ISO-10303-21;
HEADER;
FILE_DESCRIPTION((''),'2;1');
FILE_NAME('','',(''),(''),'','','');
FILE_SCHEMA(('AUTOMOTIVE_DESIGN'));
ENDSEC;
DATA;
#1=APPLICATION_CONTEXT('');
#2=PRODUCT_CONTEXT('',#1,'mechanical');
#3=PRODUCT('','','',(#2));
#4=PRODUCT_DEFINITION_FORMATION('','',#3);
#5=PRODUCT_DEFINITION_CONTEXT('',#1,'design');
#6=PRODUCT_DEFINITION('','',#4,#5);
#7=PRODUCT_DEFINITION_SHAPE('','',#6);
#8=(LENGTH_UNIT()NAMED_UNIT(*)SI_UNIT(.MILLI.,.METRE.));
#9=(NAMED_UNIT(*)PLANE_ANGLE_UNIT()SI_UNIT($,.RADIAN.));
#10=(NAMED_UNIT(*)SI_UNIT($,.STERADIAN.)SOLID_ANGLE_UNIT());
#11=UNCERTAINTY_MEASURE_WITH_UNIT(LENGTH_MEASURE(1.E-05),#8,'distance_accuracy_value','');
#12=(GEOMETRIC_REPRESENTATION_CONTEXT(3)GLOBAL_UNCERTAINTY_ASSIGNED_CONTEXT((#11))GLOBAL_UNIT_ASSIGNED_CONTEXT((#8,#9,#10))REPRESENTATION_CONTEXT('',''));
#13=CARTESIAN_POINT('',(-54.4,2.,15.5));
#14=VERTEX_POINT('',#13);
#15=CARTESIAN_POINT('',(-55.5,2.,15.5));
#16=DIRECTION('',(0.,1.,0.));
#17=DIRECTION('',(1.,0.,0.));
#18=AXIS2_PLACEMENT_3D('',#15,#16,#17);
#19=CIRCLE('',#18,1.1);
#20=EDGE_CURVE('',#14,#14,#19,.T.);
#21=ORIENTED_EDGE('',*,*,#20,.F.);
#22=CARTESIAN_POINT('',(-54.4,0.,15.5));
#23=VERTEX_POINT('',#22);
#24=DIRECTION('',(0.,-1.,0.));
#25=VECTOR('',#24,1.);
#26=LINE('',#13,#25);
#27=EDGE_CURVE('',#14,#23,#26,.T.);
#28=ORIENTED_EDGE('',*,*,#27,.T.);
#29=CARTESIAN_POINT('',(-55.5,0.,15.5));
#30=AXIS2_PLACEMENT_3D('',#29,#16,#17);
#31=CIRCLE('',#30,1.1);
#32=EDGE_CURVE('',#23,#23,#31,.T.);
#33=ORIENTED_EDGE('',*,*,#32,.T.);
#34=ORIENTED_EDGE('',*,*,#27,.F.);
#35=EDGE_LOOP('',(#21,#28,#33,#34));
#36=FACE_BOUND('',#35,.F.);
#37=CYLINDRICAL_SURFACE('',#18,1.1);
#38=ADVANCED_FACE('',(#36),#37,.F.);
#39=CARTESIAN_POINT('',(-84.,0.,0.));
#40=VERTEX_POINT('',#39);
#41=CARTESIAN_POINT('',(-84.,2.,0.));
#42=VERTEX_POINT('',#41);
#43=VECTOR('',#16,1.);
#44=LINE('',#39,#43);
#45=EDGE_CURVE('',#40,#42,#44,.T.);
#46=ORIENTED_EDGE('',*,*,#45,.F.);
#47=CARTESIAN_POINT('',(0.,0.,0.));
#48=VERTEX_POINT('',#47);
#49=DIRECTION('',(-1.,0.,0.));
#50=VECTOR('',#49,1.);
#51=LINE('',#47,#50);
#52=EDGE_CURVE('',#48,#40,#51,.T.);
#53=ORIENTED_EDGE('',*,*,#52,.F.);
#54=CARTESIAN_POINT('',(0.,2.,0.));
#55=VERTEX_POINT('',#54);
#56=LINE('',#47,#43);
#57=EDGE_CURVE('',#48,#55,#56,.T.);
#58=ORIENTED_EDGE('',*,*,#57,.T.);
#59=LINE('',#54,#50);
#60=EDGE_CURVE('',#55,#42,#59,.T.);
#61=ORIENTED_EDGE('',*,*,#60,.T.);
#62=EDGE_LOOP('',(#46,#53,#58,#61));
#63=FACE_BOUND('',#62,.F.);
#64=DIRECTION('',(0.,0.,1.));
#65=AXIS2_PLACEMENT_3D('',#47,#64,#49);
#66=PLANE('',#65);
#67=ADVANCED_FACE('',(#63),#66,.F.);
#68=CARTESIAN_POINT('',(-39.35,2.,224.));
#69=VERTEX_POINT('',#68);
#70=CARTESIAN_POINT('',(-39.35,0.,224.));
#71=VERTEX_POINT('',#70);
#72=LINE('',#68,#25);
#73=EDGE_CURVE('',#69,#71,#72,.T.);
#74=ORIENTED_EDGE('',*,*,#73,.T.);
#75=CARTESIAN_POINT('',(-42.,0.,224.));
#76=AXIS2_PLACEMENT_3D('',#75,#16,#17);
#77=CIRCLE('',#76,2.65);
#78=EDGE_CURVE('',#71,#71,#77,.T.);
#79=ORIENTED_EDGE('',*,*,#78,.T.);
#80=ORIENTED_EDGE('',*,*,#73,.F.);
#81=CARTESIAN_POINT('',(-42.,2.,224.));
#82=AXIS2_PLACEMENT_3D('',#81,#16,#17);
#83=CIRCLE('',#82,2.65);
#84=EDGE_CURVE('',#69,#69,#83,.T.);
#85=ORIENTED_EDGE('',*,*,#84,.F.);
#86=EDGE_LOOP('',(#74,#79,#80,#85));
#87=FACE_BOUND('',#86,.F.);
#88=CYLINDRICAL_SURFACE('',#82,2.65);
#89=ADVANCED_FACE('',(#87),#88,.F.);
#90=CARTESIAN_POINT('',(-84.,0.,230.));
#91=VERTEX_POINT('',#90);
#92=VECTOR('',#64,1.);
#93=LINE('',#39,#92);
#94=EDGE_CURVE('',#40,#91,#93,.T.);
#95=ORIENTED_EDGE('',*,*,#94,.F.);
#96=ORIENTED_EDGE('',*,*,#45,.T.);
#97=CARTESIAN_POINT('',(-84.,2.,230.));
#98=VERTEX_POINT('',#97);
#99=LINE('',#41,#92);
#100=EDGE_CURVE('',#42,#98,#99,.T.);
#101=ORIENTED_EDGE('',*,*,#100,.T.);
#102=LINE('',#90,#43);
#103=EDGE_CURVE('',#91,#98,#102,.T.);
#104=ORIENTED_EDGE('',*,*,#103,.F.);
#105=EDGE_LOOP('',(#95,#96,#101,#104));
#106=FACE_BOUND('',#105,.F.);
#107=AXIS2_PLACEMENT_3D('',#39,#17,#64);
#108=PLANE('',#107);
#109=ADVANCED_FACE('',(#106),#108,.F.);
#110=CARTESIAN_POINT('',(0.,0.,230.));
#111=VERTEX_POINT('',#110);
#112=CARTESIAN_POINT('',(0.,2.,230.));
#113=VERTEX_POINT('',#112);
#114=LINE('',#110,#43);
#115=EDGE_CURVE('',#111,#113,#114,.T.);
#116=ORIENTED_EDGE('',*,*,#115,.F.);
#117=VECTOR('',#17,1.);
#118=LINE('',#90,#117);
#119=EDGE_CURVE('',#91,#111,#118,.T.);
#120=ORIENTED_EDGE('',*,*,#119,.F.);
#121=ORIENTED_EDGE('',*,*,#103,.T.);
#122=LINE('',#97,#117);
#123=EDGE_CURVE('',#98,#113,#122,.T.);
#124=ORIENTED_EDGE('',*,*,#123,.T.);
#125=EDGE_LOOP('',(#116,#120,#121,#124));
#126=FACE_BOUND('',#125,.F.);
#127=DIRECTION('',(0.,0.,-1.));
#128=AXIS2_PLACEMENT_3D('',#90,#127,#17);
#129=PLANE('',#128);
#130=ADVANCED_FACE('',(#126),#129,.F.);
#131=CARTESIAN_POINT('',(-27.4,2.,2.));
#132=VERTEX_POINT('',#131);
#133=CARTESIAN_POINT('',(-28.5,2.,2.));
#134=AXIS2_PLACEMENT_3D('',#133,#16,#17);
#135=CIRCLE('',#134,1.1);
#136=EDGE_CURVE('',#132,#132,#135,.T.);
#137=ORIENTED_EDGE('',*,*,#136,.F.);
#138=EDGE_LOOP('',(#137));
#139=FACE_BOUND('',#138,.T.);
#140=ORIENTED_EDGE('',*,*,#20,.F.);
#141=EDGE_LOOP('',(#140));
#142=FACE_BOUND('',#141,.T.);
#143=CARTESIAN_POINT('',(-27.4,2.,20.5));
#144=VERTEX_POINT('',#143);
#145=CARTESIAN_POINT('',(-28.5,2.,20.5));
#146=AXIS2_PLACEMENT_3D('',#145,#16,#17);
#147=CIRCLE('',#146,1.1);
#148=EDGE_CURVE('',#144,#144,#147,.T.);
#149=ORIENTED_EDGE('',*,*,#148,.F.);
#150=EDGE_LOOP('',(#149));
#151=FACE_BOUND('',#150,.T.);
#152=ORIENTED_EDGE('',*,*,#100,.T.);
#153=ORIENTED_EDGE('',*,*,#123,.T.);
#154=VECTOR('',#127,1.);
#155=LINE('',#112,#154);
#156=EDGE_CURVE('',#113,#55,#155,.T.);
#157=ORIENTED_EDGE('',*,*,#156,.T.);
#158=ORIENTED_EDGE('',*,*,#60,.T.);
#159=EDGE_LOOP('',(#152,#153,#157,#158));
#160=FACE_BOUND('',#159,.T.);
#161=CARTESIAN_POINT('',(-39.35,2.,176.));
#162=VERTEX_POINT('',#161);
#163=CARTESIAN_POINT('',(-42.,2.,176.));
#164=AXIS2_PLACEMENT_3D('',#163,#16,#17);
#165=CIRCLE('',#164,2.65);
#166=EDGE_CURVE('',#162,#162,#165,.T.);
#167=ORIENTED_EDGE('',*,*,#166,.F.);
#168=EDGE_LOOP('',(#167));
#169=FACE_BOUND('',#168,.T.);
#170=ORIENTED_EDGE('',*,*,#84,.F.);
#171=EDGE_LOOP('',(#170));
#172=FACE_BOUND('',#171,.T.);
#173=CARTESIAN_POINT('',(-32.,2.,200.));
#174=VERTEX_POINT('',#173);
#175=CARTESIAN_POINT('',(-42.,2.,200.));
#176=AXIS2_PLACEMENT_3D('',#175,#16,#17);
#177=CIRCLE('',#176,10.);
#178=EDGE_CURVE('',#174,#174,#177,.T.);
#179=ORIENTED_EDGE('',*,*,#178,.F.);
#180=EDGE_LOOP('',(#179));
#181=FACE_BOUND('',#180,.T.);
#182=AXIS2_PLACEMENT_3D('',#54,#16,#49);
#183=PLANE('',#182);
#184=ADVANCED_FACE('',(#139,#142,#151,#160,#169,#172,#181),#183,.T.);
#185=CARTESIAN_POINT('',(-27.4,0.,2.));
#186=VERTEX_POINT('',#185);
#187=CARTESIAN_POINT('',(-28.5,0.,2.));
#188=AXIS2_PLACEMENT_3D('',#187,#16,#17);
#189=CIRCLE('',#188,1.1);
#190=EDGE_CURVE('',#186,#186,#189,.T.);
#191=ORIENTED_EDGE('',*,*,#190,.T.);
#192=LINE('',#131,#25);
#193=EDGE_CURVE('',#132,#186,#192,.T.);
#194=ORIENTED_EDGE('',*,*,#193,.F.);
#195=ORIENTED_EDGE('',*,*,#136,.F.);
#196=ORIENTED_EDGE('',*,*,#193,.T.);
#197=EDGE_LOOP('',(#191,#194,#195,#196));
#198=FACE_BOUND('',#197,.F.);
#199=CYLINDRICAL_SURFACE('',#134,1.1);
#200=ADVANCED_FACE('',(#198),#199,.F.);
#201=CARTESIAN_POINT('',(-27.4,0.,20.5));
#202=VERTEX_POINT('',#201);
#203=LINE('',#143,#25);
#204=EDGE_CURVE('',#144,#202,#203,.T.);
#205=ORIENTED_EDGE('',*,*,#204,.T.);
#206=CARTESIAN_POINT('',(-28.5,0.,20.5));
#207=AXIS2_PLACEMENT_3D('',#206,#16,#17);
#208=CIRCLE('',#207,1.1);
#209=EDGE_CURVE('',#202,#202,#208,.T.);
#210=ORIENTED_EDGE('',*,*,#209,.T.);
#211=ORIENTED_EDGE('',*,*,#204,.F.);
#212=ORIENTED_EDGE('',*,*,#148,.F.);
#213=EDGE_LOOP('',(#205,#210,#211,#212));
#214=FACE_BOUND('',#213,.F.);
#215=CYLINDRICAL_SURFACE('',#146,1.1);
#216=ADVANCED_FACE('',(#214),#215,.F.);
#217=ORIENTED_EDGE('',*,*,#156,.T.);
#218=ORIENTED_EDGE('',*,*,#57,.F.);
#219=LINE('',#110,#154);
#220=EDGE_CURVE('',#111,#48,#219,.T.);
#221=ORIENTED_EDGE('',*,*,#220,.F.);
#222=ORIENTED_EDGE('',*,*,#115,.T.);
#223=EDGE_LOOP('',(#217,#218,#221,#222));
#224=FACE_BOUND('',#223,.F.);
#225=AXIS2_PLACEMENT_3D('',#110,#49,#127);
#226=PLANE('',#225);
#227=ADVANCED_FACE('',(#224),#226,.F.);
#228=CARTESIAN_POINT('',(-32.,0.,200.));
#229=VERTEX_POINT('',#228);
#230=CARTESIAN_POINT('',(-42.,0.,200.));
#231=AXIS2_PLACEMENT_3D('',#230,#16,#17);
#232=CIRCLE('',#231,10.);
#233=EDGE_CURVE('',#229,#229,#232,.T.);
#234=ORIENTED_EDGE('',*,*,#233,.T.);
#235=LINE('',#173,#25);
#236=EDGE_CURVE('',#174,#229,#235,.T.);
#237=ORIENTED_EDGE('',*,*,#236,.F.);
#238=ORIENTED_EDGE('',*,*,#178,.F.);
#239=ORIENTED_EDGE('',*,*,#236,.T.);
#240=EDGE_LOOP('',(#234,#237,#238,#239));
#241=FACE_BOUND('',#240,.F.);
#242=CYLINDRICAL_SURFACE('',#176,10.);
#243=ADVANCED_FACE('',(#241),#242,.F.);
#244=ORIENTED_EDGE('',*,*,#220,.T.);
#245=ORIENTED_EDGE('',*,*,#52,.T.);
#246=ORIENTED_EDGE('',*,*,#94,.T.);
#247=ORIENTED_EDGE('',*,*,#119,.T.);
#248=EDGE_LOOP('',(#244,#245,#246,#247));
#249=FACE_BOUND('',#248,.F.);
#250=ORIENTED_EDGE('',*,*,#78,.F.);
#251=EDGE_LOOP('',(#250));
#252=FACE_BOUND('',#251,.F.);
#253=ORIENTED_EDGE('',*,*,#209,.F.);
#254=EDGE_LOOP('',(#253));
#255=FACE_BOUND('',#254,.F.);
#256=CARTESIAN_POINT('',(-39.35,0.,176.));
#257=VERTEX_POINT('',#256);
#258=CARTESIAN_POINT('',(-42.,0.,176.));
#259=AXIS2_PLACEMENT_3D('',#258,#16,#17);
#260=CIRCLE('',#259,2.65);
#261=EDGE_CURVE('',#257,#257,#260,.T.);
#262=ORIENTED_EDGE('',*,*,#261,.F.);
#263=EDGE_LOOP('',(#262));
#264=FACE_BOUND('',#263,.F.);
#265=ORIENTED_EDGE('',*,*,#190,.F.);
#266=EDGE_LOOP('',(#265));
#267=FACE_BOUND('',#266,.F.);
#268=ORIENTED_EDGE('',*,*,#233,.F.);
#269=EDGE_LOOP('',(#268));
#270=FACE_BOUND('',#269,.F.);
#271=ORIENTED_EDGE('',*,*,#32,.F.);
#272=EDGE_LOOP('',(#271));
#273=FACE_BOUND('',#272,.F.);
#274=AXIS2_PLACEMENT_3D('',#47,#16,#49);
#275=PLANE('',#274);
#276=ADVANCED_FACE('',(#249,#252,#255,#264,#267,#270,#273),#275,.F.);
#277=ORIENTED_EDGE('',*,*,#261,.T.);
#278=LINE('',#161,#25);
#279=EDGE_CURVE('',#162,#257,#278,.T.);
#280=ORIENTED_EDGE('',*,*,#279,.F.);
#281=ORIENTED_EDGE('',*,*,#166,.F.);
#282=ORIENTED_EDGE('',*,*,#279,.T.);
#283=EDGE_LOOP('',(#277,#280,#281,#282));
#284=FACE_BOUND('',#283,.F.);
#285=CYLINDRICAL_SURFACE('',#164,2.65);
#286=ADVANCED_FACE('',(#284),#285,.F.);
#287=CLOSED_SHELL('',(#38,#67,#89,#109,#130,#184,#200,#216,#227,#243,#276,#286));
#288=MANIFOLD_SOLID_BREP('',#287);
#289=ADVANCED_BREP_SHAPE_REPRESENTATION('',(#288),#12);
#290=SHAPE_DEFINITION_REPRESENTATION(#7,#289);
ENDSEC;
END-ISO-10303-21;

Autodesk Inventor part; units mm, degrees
ref_plane "YZ Plane" through (0, 0, 0) normal (1, 0, 0) x (0, 1, 0)
ref_plane "XZ Plane" through (0, 0, 0) normal (0, 1, 0) x (-1, 0, 0)
ref_plane "XY Plane" through (0, 0, 0) normal (0, 0, 1) x (1, 0, 0)
sketch "スケッチ1" plane through (0, 0, 0) normal (0, 1, 0) x (-1, 0, 0)
  line L0 (0, 0) -> (84, 0)
  line L1 (84, 0) -> (84, 230)
  line L2 (84, 230) -> (0, 230)
  line L3 (0, 230) -> (0, 0)
  dimension "d0" = 84
  dimension "d1" = 230
extrude "押し出し1" add sketch "スケッチ1" along normal blind 2
sketch "スケッチ2" plane through (0, 2, 0) normal (0, 1, 0) x (1, 0, 0)
  line L0 (0, 0) -> (-84, 0) projected
  line L1 (0, -230) -> (0, 0) projected
  circle A0 centre (-42, -224) radius 2.65
  line L2 (-84, -230) -> (0, -230) projected
  circle A1 centre (-42, -176) radius 2.65
  circle A2 centre (-28.5, -2) radius 1.1
  circle A3 centre (-28.5, -20.5) radius 1.1
  circle A4 centre (-55.5, -15.5) radius 1.1
  circle A5 centre (-42, -200) radius 10
  dimension "d9" = 5.3
  dimension "d10" = 6
  dimension "d11" = 42
  dimension "d12" = 5.3
  dimension "d13" = 48
  dimension "d16" = 2.2
  dimension "d17" = 2.2
  dimension "d18" = 2.2
  dimension "d19" = 228
  dimension "d20" = 209.5
  dimension "d21" = 214.5
  dimension "d22" = 55.5
  dimension "d23" = 28.5
  dimension "d24" = 28.5
  dimension "d27" = 20
  dimension "d28" = 24
extrude "押し出し5" cut sketch "スケッチ2" against normal blind 2
properties part number "Force_Arm_board"
